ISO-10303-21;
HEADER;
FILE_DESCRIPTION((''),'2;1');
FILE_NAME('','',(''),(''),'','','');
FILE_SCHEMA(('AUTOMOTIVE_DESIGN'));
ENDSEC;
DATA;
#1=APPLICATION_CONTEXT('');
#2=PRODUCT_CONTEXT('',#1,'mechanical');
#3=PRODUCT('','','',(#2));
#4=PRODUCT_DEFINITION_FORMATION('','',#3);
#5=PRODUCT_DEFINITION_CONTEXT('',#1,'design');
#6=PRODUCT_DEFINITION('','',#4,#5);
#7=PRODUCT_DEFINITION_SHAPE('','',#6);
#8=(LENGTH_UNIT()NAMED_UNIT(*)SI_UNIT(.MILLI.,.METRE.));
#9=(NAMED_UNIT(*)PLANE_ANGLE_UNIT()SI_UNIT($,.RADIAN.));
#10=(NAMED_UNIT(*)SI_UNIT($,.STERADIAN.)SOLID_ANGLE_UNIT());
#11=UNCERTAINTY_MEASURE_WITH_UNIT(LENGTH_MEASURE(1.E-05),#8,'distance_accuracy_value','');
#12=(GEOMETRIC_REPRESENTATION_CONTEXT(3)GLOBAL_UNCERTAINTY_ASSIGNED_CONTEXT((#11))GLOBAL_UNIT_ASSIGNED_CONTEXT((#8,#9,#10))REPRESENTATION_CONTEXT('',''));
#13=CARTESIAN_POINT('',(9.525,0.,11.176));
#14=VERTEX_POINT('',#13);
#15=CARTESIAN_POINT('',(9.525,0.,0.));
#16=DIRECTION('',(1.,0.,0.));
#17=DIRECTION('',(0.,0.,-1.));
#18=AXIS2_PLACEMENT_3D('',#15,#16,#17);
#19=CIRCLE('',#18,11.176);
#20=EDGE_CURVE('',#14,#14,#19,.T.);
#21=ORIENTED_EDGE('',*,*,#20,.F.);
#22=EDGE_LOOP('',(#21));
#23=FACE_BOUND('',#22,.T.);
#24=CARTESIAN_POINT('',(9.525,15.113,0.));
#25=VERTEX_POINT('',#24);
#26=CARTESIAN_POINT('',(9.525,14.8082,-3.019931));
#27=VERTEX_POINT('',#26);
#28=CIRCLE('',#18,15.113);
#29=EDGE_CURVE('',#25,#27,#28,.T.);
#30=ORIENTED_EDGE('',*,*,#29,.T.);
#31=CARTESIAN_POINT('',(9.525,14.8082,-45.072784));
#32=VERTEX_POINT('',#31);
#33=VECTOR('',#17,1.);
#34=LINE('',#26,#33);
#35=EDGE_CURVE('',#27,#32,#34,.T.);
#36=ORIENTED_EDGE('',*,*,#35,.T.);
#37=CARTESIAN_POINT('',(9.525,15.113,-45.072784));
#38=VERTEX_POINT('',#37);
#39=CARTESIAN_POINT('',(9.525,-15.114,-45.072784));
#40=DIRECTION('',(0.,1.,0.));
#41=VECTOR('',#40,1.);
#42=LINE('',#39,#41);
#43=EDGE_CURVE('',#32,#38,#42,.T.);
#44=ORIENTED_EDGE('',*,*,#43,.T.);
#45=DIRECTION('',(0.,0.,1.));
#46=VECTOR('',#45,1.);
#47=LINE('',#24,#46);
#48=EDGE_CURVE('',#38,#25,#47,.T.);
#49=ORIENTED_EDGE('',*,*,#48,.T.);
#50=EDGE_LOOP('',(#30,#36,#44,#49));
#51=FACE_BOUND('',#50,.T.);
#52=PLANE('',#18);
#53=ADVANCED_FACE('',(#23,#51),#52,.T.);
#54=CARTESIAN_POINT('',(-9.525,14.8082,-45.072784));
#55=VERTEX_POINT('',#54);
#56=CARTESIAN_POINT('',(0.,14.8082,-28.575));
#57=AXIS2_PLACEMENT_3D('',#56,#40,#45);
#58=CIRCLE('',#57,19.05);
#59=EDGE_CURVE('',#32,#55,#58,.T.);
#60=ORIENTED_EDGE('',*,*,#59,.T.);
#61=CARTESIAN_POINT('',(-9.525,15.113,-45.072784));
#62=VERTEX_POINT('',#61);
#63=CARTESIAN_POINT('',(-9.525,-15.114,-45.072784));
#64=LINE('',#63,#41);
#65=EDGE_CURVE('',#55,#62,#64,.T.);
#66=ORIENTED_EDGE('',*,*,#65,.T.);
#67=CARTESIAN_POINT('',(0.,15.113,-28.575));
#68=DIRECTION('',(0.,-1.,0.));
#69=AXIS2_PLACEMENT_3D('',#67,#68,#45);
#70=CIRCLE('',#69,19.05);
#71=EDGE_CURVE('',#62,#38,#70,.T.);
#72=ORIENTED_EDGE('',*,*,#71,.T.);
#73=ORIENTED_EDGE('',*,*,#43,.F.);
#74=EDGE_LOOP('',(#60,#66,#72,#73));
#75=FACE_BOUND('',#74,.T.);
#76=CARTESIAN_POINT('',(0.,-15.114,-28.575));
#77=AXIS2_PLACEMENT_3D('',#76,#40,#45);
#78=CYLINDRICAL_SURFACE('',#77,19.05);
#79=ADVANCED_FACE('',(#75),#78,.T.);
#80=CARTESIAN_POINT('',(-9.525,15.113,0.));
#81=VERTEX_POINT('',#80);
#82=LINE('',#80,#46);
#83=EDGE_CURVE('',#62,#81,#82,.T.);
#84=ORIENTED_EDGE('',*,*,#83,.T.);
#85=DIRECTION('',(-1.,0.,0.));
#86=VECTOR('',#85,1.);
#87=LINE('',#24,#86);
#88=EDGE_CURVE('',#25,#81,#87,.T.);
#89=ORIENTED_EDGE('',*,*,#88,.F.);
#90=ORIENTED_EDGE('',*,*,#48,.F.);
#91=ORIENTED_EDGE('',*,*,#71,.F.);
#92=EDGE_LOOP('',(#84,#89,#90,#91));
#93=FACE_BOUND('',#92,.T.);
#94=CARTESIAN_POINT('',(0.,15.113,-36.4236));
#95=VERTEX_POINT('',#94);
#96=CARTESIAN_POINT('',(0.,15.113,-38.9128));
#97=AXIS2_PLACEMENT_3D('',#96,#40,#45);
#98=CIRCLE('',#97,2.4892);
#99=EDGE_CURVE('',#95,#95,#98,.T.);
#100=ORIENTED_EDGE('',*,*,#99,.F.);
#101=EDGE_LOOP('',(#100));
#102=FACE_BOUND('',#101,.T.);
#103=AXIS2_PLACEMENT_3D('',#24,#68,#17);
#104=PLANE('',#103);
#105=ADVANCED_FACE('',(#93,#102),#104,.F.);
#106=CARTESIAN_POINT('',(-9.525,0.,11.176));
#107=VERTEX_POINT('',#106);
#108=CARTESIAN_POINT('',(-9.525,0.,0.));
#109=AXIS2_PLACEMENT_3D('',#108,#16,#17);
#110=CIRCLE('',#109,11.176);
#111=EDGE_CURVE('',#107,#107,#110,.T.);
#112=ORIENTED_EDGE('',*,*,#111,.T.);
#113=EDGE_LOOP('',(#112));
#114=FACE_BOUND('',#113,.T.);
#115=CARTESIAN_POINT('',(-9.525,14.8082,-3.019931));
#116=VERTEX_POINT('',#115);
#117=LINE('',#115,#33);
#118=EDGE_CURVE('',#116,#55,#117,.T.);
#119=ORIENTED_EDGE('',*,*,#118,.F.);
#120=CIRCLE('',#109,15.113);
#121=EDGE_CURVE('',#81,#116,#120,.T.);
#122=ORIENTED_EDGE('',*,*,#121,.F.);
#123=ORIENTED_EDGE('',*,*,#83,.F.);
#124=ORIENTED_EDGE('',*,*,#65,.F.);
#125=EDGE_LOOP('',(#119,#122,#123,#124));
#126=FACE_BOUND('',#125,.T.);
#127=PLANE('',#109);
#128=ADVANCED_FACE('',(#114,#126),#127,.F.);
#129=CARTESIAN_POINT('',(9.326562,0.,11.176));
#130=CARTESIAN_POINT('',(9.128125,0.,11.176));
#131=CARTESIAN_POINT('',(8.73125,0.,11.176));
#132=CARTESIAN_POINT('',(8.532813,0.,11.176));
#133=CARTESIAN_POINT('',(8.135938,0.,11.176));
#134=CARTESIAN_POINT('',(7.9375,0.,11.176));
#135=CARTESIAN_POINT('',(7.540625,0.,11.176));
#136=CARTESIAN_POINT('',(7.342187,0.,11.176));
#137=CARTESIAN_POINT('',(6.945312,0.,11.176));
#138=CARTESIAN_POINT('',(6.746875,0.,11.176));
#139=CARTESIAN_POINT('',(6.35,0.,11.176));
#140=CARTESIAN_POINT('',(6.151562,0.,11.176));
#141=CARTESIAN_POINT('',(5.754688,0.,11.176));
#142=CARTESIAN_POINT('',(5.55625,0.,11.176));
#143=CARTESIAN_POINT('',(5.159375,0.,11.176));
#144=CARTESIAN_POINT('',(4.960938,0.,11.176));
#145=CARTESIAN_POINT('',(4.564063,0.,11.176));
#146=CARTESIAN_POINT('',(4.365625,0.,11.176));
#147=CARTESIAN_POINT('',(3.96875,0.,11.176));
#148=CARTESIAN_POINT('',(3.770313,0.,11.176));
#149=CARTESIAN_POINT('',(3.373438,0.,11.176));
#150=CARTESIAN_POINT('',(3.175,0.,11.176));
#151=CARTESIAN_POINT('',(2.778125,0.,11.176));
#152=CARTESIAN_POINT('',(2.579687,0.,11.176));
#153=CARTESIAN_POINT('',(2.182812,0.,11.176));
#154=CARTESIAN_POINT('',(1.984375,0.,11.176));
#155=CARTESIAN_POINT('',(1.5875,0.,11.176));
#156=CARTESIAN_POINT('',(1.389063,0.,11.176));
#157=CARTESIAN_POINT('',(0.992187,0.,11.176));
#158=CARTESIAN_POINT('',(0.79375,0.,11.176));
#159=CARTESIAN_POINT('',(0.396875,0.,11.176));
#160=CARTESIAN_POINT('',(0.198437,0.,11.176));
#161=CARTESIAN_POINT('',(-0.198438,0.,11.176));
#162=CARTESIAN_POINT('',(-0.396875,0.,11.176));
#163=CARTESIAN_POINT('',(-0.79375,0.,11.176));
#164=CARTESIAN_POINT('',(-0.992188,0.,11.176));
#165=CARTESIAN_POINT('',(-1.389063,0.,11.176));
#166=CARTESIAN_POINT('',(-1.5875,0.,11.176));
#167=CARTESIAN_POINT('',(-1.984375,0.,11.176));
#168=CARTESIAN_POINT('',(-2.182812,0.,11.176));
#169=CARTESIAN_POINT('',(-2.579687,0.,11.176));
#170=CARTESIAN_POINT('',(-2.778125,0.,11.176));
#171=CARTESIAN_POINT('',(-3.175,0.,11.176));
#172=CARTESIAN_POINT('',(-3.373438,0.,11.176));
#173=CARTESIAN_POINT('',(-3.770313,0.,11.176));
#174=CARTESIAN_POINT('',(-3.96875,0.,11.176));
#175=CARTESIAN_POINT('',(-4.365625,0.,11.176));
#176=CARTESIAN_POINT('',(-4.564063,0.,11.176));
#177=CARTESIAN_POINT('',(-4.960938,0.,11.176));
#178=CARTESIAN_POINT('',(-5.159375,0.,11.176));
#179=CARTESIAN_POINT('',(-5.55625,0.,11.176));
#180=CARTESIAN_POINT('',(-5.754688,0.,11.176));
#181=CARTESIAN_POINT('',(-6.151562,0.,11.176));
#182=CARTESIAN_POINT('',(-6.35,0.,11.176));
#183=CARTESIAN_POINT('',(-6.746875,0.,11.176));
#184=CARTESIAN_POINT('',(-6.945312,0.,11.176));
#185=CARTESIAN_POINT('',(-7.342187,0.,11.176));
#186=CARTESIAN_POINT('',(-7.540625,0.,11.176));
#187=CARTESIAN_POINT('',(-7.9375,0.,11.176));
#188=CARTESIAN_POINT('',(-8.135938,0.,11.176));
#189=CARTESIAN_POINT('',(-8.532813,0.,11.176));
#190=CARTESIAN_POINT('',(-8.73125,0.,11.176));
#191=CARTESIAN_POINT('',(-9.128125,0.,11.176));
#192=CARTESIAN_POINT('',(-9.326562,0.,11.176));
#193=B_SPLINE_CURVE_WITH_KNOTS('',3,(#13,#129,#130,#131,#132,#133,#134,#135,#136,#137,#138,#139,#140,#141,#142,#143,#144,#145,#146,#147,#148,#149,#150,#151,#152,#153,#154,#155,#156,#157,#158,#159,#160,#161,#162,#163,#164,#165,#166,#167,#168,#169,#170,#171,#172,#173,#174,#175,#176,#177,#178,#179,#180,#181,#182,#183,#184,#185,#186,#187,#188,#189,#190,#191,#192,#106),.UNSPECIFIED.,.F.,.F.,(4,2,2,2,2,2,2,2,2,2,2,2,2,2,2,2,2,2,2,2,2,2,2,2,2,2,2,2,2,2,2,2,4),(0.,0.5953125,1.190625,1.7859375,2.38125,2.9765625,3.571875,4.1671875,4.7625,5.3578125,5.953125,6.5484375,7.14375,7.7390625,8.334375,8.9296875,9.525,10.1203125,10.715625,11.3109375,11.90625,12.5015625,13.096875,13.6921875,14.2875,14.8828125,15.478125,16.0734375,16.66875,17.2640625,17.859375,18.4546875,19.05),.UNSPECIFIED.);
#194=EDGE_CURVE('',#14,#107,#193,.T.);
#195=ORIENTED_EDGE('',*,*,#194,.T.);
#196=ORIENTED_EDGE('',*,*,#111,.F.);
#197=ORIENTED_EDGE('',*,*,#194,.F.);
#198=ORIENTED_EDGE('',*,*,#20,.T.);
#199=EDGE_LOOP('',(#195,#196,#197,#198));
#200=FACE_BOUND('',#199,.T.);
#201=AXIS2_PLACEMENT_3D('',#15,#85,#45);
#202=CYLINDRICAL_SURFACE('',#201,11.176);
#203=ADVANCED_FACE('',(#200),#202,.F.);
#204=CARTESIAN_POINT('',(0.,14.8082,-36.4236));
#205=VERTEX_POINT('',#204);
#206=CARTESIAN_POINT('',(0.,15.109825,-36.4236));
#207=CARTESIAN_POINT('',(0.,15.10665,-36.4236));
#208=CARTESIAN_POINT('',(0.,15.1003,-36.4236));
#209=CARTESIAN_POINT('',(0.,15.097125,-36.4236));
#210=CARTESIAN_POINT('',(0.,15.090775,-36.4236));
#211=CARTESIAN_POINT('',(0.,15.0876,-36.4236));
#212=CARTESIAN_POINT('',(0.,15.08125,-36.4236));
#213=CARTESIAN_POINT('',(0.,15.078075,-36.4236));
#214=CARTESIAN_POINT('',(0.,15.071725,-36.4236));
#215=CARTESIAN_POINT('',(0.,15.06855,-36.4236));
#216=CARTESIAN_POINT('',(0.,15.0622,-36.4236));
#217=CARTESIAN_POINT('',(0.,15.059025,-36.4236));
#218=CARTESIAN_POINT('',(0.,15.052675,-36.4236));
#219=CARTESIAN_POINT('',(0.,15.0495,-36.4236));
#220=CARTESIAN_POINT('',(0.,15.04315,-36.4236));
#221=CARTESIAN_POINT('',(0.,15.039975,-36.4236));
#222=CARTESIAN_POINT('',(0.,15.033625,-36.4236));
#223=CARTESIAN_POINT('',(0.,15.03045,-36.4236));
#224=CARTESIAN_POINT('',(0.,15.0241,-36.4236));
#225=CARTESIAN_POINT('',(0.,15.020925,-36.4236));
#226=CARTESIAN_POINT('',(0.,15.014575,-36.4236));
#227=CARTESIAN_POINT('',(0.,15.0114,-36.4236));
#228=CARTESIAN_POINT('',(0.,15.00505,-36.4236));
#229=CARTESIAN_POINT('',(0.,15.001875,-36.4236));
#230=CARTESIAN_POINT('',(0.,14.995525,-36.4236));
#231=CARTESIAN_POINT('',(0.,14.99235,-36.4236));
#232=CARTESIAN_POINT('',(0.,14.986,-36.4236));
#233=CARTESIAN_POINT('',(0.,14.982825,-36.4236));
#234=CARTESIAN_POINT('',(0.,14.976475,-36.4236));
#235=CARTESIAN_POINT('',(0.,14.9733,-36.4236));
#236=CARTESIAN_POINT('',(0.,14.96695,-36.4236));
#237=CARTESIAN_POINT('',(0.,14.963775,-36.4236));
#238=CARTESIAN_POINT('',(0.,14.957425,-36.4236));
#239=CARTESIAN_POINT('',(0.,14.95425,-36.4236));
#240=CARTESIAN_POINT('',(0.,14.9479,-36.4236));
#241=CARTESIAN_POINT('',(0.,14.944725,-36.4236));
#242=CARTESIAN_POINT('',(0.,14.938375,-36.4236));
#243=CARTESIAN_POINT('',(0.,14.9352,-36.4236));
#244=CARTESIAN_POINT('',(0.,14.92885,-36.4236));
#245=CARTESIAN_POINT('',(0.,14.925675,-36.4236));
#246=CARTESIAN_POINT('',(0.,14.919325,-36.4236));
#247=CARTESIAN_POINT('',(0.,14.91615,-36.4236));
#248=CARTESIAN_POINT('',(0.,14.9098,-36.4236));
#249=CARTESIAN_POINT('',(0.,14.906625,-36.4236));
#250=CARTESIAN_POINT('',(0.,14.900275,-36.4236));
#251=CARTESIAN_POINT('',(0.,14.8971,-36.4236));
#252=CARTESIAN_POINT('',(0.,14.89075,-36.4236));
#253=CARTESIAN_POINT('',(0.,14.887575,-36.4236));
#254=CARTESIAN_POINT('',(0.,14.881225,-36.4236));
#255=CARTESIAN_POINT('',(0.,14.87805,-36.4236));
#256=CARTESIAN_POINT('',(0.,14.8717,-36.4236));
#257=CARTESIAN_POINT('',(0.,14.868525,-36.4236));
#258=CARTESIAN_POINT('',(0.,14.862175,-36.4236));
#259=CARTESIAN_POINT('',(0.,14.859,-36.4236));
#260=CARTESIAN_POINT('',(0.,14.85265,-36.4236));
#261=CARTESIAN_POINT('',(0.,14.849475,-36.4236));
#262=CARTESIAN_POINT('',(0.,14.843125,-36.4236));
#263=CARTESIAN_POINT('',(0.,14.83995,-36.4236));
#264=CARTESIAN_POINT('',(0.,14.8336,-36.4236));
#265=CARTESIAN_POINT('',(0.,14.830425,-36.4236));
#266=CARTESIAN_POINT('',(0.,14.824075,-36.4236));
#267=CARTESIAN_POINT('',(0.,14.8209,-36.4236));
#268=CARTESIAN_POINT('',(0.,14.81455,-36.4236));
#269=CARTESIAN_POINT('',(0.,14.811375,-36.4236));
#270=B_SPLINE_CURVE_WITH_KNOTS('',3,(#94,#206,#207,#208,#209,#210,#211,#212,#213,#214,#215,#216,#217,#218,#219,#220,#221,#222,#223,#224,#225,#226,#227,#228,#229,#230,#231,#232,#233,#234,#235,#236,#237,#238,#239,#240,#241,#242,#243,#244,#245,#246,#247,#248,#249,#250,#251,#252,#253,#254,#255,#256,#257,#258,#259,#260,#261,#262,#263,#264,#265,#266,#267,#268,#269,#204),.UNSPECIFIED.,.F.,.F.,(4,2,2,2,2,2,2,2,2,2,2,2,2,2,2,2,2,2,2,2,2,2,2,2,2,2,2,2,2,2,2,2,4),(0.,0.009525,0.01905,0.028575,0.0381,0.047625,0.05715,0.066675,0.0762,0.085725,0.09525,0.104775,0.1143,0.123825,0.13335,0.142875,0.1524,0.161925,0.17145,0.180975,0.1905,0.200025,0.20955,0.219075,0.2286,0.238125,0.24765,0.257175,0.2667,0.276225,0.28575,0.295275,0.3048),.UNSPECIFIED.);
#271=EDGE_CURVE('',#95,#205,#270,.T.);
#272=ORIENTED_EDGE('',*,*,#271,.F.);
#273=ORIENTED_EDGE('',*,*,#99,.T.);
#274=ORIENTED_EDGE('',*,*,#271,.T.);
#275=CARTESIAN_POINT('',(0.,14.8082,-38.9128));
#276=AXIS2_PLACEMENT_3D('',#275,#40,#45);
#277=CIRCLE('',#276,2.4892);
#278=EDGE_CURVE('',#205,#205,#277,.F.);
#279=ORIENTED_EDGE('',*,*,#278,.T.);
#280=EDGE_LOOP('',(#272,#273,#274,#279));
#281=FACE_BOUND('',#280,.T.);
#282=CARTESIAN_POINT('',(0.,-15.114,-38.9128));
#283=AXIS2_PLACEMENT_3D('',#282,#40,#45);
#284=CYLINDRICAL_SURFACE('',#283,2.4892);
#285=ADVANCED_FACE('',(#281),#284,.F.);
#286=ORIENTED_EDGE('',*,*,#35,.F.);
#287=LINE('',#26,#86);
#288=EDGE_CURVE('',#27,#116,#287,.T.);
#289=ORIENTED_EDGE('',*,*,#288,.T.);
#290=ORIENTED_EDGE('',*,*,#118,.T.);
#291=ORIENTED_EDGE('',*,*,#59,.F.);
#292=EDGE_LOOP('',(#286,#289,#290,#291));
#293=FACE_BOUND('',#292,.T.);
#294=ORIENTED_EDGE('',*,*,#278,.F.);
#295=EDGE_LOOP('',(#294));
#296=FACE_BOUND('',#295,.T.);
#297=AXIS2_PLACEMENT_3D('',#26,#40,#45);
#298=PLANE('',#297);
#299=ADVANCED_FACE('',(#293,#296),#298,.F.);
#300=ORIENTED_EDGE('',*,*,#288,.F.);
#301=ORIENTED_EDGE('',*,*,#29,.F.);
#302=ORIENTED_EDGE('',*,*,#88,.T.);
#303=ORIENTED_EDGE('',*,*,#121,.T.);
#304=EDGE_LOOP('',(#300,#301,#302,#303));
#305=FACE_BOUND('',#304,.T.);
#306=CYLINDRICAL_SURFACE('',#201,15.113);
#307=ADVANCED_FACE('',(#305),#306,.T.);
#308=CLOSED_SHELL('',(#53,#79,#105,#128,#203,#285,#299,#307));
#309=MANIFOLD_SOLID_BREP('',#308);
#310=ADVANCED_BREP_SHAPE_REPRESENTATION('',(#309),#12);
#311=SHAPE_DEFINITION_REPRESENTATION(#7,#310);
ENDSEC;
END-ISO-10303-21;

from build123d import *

# Parameters (mm, degrees)
SKETCH1_R           = 11.176
BOSS_EXTRUDE1_DEPTH = 9.525
ONEHOLE_START       = -0.3048
SKETCH2_R           = 2.4892
ONEHOLE_DEPTH       = 0.3048


with BuildPart() as part:
    # Sketch1 → Boss-Extrude1 (new, symmetric)
    with BuildSketch(Plane(origin=(0, 0, 0), x_dir=(0, 0, -1), z_dir=(1, 0, 0))):
        with BuildLine():
            Line((0, 15.113), (47.625, 15.113))
            Line((47.625, 15.113), (47.625, 14.8082))
            Line((47.625, 14.8082), (3.019930754, 14.8082))
            ThreePointArc((3.019930754, 14.8082), (-1.517636715, -15.036606924), (0, 15.113))
        make_face()
        with Locations(Location((0, 0, 0), (0, 0, 180))):
            Circle(SKETCH1_R, mode=Mode.SUBTRACT)
    extrude(amount=BOSS_EXTRUDE1_DEPTH, both=True)

    # Sketch2 → OneHole (cut)
    with BuildSketch(Plane(origin=(0, 15.113, 0), x_dir=(1, 0, 0), z_dir=(0, 1, 0)).offset(ONEHOLE_START)):
        with Locations(Location((0, 38.9128, 0), (0, 0, 270))):
            Circle(SKETCH2_R)
        with BuildLine():
            Line((-9.525, 45.072783942), (-9.525, 48.26))
            Line((-9.525, 48.26), (9.525, 48.26))
            Line((9.525, 48.26), (9.525, 45.072783942))
            ThreePointArc((9.525, 45.072783942), (0, 47.625), (-9.525, 45.072783942))
        make_face()
    extrude(amount=ONEHOLE_DEPTH, mode=Mode.SUBTRACT)


solid = part.part
